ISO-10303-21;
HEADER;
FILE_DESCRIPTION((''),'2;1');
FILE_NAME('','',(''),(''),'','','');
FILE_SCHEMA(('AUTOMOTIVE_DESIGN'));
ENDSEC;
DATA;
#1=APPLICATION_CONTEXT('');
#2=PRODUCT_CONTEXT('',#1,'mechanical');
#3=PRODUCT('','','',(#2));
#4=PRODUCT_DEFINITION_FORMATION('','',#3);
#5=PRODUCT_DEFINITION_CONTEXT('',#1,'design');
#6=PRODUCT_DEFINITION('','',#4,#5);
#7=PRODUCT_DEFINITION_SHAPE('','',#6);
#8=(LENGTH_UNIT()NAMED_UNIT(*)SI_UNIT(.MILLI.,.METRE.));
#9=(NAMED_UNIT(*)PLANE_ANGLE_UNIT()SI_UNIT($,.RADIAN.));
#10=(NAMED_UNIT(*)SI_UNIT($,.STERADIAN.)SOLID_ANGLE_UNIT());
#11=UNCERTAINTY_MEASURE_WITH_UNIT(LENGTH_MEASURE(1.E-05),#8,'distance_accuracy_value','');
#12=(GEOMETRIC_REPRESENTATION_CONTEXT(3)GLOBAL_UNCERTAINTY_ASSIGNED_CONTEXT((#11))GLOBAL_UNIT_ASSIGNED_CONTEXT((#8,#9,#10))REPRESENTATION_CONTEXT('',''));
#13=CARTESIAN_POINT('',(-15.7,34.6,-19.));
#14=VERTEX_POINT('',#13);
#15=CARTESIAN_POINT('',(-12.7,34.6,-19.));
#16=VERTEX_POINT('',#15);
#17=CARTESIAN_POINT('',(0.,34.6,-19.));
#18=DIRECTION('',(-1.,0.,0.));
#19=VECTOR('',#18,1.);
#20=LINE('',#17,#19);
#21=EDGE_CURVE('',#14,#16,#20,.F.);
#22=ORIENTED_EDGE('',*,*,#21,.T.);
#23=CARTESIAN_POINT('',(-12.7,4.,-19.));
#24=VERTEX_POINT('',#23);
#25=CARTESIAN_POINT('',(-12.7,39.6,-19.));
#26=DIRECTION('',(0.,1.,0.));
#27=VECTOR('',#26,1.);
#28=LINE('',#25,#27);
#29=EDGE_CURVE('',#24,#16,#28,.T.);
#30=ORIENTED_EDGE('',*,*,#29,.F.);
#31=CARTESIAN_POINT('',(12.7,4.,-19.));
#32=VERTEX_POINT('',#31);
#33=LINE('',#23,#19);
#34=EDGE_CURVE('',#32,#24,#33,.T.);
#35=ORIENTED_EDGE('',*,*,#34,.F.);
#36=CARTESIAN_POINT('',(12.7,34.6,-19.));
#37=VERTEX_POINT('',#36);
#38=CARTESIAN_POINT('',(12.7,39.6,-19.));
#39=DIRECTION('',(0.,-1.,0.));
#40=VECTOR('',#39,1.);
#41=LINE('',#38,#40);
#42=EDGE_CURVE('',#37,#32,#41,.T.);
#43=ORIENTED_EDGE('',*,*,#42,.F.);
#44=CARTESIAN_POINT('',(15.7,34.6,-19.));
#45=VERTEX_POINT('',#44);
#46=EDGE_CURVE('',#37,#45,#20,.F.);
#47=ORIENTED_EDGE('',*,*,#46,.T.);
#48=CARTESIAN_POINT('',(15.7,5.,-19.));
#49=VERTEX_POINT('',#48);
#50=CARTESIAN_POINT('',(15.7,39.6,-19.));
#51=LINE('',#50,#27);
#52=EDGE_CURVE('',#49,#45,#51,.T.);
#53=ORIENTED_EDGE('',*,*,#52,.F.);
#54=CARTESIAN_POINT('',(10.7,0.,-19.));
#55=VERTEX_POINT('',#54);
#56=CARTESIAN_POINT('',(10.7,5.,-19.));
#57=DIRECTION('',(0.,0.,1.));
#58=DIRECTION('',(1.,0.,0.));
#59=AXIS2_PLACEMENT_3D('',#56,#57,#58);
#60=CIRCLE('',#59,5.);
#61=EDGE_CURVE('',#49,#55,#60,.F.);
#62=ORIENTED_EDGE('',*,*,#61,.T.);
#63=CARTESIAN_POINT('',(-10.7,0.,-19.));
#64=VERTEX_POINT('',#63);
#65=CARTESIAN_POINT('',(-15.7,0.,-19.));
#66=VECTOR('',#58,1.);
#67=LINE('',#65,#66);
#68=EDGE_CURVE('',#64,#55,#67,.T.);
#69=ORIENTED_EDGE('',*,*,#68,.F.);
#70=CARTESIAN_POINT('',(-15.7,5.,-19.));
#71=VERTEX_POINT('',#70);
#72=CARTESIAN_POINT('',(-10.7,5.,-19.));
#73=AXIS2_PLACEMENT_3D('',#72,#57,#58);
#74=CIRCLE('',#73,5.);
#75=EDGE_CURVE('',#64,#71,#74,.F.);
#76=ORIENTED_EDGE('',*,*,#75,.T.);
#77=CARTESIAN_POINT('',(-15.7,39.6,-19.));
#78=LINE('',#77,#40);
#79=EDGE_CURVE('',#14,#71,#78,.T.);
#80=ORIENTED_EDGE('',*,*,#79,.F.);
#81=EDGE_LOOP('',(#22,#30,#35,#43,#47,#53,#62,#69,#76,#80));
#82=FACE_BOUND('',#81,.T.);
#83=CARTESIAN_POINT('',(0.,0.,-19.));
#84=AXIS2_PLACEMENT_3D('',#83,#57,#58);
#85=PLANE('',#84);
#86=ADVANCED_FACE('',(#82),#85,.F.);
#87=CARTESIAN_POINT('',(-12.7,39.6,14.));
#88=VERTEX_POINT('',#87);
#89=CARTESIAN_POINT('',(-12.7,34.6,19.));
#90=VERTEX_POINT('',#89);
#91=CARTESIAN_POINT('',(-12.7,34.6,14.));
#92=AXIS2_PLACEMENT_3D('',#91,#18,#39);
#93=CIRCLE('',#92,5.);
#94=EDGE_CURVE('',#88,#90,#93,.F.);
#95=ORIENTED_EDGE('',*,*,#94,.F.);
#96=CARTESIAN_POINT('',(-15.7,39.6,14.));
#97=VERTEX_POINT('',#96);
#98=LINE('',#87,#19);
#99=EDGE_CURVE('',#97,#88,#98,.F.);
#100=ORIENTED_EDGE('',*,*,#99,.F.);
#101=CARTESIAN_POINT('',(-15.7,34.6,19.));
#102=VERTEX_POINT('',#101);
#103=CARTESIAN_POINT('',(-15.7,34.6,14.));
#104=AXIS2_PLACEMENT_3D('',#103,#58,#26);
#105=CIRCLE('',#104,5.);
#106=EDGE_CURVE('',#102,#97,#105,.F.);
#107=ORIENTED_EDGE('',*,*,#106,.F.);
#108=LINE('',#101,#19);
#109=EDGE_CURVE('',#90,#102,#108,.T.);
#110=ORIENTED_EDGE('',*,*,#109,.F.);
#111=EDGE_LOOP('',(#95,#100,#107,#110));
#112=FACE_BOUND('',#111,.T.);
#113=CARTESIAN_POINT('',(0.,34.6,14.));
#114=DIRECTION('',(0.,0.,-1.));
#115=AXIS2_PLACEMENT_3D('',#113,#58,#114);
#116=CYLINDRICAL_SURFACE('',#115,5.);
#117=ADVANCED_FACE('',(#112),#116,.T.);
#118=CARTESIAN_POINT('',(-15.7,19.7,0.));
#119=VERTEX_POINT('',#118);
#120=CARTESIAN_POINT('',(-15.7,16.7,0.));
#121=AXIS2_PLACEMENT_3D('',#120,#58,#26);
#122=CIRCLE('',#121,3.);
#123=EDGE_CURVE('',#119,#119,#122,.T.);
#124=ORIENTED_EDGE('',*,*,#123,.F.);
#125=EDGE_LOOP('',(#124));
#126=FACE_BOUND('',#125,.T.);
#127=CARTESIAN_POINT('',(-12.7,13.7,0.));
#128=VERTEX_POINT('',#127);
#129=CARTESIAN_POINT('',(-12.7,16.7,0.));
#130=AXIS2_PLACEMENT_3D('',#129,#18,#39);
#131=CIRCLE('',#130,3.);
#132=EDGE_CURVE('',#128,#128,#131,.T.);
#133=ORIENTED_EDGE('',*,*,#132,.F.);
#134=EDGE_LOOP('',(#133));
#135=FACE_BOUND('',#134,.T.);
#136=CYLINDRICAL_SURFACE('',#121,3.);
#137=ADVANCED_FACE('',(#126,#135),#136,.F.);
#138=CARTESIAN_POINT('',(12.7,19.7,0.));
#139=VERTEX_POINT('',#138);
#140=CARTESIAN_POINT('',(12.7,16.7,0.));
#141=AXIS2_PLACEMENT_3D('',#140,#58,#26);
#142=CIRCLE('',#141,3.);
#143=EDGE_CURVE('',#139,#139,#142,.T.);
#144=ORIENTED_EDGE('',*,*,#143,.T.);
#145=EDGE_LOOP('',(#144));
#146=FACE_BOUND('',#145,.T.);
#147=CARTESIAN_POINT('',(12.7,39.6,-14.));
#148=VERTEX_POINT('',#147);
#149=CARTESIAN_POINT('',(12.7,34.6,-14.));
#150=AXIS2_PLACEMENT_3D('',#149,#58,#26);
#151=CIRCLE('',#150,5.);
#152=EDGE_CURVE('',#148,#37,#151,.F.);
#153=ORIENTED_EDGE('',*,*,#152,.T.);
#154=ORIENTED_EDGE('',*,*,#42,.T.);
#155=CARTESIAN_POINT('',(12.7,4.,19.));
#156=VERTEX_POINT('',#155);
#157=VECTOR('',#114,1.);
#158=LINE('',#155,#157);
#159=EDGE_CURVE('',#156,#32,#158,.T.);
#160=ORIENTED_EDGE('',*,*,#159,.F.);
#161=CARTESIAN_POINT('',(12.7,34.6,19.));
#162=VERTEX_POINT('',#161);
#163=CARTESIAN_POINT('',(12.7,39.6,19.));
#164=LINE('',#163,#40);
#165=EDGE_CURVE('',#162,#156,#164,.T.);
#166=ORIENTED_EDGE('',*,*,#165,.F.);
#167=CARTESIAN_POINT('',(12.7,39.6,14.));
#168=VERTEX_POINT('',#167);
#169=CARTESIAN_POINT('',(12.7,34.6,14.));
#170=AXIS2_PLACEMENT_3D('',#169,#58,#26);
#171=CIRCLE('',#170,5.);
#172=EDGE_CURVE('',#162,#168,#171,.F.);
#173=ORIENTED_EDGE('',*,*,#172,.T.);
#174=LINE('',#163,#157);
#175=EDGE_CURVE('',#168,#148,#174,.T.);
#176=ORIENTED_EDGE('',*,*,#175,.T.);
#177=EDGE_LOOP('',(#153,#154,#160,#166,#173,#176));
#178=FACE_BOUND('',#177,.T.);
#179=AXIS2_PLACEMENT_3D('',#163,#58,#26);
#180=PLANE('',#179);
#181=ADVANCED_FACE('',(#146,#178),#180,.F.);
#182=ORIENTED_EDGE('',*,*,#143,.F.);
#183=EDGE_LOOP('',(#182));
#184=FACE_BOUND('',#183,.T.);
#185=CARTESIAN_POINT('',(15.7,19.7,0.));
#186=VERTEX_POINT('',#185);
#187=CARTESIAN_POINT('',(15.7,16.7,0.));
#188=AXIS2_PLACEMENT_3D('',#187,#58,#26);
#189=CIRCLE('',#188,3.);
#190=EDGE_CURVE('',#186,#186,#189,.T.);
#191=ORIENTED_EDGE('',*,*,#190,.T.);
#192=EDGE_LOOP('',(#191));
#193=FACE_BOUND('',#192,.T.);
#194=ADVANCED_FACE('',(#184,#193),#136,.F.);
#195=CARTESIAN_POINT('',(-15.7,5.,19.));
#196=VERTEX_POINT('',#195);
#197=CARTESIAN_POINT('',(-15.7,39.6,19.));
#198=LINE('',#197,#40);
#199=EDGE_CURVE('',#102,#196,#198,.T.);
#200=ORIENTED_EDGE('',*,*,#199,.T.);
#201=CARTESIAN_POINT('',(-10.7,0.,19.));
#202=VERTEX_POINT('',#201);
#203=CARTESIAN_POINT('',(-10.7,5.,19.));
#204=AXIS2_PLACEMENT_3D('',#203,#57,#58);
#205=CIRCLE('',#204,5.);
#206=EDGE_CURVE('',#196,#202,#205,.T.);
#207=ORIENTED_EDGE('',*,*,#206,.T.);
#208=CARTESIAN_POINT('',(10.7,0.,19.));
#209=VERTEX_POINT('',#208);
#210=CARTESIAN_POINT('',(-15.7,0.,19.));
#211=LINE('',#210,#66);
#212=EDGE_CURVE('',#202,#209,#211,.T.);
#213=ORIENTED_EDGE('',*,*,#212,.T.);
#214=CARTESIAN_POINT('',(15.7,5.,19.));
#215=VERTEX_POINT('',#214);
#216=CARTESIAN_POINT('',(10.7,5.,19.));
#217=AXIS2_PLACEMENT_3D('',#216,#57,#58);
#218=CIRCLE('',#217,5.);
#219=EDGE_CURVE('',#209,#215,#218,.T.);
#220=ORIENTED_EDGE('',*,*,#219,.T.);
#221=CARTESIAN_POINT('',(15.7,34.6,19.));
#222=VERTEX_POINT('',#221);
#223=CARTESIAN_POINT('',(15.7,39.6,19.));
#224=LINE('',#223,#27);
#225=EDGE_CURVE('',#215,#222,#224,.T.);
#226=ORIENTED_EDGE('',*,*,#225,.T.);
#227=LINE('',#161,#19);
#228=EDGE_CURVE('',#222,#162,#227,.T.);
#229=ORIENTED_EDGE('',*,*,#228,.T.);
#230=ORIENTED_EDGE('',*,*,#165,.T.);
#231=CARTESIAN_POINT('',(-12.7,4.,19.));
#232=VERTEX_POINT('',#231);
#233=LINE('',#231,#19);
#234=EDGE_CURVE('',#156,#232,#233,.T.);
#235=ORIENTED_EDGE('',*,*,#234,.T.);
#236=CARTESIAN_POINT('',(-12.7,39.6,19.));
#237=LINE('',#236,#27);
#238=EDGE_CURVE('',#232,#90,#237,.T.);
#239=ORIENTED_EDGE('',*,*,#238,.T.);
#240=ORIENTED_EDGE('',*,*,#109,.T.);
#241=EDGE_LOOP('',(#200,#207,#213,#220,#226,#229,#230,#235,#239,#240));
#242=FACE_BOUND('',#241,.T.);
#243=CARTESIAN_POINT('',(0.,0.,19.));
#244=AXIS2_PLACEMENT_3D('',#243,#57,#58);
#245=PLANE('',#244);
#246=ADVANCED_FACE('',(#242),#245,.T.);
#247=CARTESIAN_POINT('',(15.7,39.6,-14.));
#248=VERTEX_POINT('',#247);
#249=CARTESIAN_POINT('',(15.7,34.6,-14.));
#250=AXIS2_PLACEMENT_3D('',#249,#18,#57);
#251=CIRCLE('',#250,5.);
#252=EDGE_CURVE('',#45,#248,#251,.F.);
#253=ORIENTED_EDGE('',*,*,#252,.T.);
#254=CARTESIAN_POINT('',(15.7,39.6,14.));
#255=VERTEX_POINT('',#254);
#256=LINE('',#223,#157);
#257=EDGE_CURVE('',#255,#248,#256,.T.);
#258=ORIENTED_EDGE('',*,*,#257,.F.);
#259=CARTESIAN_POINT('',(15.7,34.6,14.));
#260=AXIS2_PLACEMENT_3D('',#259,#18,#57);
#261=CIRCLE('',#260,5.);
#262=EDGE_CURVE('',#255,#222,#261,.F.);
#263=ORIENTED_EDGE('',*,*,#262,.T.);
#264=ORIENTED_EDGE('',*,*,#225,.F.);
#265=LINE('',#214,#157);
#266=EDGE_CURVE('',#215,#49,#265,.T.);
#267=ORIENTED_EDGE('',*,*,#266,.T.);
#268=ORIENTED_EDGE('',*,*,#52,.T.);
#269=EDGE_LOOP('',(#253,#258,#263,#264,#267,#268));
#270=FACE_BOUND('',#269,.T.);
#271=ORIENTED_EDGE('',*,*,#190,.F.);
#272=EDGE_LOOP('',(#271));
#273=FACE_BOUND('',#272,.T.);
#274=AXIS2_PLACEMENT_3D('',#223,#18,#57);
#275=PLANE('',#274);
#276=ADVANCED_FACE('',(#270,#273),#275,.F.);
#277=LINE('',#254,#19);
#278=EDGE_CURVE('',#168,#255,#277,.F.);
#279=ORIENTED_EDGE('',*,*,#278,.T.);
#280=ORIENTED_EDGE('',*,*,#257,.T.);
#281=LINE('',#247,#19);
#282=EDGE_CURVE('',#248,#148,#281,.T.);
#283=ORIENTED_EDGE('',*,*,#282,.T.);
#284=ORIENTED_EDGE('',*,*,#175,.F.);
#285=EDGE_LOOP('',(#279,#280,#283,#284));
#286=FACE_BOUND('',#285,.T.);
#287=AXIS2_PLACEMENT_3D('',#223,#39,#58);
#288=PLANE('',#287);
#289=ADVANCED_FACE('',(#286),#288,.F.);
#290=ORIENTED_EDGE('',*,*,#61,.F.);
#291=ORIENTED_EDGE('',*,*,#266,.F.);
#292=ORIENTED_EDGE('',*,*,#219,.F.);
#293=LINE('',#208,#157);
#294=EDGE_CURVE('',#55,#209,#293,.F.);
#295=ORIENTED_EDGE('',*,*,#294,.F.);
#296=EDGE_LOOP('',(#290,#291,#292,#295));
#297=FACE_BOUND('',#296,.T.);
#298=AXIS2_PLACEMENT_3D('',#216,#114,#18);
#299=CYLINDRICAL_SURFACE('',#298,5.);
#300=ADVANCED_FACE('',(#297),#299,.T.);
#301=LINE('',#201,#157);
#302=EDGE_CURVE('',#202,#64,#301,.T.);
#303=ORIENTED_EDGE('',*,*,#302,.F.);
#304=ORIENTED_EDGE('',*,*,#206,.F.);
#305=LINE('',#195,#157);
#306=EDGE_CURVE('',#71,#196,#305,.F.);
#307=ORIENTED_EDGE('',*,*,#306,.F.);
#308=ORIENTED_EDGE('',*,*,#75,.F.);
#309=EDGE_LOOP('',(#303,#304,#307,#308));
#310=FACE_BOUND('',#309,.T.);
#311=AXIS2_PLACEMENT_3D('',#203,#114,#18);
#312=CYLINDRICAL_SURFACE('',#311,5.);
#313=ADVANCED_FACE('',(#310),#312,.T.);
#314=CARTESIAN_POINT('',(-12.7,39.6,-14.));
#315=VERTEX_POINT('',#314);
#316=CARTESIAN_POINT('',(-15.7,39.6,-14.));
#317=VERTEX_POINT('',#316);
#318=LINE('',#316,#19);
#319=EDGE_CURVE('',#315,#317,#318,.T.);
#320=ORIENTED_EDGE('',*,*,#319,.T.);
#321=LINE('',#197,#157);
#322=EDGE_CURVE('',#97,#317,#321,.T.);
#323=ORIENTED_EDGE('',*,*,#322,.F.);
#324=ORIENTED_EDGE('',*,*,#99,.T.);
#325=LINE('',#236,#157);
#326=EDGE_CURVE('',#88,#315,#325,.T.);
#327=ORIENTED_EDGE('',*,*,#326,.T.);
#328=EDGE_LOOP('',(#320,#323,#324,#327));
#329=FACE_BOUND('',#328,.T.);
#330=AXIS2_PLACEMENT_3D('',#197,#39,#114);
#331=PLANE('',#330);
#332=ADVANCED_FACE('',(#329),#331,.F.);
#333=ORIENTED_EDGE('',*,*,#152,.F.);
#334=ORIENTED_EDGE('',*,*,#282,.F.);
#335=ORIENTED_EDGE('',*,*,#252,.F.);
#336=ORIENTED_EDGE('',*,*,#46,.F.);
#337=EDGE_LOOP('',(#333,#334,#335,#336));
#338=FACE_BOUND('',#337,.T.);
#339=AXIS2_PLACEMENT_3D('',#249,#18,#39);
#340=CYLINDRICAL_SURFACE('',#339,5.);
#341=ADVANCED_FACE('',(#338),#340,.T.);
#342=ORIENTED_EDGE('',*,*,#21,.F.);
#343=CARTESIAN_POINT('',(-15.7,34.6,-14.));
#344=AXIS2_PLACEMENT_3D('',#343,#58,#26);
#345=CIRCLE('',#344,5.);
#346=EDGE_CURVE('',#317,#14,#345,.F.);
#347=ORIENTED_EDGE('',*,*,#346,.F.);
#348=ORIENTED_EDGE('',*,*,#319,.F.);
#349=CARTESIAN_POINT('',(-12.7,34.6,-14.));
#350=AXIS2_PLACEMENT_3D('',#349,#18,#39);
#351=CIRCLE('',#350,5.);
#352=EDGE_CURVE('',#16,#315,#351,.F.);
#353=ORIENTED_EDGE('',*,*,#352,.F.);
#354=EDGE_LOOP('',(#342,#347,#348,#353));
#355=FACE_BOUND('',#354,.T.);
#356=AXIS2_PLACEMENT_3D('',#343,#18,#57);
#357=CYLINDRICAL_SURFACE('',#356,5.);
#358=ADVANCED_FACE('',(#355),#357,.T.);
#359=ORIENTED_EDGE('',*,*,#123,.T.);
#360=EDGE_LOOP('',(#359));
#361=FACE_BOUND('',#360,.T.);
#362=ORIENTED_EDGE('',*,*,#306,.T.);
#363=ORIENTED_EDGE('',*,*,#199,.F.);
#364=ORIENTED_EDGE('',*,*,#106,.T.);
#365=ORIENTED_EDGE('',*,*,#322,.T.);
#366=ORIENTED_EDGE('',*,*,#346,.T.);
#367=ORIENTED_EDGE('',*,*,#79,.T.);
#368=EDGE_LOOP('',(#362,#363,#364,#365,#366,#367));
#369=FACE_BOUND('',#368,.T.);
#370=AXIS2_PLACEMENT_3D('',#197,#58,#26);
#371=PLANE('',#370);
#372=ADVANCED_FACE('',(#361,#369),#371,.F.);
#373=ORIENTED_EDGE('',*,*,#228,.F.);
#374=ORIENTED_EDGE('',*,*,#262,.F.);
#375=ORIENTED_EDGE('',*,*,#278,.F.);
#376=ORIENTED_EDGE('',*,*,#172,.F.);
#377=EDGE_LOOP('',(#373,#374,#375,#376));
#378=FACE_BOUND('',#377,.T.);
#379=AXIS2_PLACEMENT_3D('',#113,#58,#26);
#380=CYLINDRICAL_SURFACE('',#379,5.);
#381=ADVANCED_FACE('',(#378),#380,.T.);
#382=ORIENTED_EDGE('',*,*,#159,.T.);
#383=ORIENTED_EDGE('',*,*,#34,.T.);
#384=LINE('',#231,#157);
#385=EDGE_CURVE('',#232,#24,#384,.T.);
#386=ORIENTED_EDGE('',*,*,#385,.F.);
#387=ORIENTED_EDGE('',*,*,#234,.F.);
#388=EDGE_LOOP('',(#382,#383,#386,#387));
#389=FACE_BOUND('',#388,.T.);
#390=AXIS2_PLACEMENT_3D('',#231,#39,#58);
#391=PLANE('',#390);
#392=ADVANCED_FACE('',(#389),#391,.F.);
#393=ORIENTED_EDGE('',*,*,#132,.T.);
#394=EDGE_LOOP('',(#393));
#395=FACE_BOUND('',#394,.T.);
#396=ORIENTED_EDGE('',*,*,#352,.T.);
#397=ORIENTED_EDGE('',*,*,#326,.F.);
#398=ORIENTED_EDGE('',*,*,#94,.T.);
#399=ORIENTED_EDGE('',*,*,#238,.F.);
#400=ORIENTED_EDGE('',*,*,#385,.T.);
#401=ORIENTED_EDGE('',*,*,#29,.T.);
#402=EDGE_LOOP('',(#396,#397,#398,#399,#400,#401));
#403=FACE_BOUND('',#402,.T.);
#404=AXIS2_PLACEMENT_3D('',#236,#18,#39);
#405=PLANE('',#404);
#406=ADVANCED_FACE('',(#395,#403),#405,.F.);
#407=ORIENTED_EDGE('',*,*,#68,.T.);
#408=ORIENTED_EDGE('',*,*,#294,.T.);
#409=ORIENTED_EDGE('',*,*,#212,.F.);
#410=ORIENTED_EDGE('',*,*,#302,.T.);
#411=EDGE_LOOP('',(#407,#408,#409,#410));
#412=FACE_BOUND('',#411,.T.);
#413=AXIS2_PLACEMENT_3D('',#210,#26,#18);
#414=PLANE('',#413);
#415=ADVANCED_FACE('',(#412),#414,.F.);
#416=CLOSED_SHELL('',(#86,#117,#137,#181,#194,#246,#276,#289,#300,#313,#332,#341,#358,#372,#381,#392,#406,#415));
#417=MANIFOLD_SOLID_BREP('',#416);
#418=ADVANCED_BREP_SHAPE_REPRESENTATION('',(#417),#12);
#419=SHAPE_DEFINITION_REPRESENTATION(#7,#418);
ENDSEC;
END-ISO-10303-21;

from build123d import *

# Parameters (mm, degrees)
BOSS_EXTRUDE1_DEPTH = 19
SKETCH2_R           = 3
CUT_EXTRUDE1_DEPTH  = 32.4
FILLET1_R           = 5


with BuildPart() as part:
    # Sketch1 → Boss-Extrude1 (new body, symmetric)
    with BuildSketch(Plane.XY):
        Polygon((-15.7, 39.6), (-12.7, 39.6), (-12.7, 4), (12.7, 4), (12.7, 39.6), (15.7, 39.6), (15.7, 0), (-15.7, 0), align=None)
    extrude(amount=BOSS_EXTRUDE1_DEPTH, both=True)

    # Sketch2 → Cut-Extrude1 (cut, through all)
    with BuildSketch(Plane(origin=(15.7, 0, 0), x_dir=(0, 0, -1), z_dir=(1, 0, 0))):
        with Locations((0, 16.7)):
            Circle(SKETCH2_R)
    extrude(amount=-CUT_EXTRUDE1_DEPTH, mode=Mode.SUBTRACT)

    # Fillet1
    fillet1_edges = [part.edges().sort_by_distance(p)[0] for p in [
        (14.2, 39.6, -19),
        (15.7, 0, 0),
        (-15.7, 0, 0),
        (14.2, 39.6, 19),
        (-14.2, 39.6, 19),
        (-14.2, 39.6, -19),
    ]]
    fillet(fillet1_edges, radius=FILLET1_R)


solid = part.part
